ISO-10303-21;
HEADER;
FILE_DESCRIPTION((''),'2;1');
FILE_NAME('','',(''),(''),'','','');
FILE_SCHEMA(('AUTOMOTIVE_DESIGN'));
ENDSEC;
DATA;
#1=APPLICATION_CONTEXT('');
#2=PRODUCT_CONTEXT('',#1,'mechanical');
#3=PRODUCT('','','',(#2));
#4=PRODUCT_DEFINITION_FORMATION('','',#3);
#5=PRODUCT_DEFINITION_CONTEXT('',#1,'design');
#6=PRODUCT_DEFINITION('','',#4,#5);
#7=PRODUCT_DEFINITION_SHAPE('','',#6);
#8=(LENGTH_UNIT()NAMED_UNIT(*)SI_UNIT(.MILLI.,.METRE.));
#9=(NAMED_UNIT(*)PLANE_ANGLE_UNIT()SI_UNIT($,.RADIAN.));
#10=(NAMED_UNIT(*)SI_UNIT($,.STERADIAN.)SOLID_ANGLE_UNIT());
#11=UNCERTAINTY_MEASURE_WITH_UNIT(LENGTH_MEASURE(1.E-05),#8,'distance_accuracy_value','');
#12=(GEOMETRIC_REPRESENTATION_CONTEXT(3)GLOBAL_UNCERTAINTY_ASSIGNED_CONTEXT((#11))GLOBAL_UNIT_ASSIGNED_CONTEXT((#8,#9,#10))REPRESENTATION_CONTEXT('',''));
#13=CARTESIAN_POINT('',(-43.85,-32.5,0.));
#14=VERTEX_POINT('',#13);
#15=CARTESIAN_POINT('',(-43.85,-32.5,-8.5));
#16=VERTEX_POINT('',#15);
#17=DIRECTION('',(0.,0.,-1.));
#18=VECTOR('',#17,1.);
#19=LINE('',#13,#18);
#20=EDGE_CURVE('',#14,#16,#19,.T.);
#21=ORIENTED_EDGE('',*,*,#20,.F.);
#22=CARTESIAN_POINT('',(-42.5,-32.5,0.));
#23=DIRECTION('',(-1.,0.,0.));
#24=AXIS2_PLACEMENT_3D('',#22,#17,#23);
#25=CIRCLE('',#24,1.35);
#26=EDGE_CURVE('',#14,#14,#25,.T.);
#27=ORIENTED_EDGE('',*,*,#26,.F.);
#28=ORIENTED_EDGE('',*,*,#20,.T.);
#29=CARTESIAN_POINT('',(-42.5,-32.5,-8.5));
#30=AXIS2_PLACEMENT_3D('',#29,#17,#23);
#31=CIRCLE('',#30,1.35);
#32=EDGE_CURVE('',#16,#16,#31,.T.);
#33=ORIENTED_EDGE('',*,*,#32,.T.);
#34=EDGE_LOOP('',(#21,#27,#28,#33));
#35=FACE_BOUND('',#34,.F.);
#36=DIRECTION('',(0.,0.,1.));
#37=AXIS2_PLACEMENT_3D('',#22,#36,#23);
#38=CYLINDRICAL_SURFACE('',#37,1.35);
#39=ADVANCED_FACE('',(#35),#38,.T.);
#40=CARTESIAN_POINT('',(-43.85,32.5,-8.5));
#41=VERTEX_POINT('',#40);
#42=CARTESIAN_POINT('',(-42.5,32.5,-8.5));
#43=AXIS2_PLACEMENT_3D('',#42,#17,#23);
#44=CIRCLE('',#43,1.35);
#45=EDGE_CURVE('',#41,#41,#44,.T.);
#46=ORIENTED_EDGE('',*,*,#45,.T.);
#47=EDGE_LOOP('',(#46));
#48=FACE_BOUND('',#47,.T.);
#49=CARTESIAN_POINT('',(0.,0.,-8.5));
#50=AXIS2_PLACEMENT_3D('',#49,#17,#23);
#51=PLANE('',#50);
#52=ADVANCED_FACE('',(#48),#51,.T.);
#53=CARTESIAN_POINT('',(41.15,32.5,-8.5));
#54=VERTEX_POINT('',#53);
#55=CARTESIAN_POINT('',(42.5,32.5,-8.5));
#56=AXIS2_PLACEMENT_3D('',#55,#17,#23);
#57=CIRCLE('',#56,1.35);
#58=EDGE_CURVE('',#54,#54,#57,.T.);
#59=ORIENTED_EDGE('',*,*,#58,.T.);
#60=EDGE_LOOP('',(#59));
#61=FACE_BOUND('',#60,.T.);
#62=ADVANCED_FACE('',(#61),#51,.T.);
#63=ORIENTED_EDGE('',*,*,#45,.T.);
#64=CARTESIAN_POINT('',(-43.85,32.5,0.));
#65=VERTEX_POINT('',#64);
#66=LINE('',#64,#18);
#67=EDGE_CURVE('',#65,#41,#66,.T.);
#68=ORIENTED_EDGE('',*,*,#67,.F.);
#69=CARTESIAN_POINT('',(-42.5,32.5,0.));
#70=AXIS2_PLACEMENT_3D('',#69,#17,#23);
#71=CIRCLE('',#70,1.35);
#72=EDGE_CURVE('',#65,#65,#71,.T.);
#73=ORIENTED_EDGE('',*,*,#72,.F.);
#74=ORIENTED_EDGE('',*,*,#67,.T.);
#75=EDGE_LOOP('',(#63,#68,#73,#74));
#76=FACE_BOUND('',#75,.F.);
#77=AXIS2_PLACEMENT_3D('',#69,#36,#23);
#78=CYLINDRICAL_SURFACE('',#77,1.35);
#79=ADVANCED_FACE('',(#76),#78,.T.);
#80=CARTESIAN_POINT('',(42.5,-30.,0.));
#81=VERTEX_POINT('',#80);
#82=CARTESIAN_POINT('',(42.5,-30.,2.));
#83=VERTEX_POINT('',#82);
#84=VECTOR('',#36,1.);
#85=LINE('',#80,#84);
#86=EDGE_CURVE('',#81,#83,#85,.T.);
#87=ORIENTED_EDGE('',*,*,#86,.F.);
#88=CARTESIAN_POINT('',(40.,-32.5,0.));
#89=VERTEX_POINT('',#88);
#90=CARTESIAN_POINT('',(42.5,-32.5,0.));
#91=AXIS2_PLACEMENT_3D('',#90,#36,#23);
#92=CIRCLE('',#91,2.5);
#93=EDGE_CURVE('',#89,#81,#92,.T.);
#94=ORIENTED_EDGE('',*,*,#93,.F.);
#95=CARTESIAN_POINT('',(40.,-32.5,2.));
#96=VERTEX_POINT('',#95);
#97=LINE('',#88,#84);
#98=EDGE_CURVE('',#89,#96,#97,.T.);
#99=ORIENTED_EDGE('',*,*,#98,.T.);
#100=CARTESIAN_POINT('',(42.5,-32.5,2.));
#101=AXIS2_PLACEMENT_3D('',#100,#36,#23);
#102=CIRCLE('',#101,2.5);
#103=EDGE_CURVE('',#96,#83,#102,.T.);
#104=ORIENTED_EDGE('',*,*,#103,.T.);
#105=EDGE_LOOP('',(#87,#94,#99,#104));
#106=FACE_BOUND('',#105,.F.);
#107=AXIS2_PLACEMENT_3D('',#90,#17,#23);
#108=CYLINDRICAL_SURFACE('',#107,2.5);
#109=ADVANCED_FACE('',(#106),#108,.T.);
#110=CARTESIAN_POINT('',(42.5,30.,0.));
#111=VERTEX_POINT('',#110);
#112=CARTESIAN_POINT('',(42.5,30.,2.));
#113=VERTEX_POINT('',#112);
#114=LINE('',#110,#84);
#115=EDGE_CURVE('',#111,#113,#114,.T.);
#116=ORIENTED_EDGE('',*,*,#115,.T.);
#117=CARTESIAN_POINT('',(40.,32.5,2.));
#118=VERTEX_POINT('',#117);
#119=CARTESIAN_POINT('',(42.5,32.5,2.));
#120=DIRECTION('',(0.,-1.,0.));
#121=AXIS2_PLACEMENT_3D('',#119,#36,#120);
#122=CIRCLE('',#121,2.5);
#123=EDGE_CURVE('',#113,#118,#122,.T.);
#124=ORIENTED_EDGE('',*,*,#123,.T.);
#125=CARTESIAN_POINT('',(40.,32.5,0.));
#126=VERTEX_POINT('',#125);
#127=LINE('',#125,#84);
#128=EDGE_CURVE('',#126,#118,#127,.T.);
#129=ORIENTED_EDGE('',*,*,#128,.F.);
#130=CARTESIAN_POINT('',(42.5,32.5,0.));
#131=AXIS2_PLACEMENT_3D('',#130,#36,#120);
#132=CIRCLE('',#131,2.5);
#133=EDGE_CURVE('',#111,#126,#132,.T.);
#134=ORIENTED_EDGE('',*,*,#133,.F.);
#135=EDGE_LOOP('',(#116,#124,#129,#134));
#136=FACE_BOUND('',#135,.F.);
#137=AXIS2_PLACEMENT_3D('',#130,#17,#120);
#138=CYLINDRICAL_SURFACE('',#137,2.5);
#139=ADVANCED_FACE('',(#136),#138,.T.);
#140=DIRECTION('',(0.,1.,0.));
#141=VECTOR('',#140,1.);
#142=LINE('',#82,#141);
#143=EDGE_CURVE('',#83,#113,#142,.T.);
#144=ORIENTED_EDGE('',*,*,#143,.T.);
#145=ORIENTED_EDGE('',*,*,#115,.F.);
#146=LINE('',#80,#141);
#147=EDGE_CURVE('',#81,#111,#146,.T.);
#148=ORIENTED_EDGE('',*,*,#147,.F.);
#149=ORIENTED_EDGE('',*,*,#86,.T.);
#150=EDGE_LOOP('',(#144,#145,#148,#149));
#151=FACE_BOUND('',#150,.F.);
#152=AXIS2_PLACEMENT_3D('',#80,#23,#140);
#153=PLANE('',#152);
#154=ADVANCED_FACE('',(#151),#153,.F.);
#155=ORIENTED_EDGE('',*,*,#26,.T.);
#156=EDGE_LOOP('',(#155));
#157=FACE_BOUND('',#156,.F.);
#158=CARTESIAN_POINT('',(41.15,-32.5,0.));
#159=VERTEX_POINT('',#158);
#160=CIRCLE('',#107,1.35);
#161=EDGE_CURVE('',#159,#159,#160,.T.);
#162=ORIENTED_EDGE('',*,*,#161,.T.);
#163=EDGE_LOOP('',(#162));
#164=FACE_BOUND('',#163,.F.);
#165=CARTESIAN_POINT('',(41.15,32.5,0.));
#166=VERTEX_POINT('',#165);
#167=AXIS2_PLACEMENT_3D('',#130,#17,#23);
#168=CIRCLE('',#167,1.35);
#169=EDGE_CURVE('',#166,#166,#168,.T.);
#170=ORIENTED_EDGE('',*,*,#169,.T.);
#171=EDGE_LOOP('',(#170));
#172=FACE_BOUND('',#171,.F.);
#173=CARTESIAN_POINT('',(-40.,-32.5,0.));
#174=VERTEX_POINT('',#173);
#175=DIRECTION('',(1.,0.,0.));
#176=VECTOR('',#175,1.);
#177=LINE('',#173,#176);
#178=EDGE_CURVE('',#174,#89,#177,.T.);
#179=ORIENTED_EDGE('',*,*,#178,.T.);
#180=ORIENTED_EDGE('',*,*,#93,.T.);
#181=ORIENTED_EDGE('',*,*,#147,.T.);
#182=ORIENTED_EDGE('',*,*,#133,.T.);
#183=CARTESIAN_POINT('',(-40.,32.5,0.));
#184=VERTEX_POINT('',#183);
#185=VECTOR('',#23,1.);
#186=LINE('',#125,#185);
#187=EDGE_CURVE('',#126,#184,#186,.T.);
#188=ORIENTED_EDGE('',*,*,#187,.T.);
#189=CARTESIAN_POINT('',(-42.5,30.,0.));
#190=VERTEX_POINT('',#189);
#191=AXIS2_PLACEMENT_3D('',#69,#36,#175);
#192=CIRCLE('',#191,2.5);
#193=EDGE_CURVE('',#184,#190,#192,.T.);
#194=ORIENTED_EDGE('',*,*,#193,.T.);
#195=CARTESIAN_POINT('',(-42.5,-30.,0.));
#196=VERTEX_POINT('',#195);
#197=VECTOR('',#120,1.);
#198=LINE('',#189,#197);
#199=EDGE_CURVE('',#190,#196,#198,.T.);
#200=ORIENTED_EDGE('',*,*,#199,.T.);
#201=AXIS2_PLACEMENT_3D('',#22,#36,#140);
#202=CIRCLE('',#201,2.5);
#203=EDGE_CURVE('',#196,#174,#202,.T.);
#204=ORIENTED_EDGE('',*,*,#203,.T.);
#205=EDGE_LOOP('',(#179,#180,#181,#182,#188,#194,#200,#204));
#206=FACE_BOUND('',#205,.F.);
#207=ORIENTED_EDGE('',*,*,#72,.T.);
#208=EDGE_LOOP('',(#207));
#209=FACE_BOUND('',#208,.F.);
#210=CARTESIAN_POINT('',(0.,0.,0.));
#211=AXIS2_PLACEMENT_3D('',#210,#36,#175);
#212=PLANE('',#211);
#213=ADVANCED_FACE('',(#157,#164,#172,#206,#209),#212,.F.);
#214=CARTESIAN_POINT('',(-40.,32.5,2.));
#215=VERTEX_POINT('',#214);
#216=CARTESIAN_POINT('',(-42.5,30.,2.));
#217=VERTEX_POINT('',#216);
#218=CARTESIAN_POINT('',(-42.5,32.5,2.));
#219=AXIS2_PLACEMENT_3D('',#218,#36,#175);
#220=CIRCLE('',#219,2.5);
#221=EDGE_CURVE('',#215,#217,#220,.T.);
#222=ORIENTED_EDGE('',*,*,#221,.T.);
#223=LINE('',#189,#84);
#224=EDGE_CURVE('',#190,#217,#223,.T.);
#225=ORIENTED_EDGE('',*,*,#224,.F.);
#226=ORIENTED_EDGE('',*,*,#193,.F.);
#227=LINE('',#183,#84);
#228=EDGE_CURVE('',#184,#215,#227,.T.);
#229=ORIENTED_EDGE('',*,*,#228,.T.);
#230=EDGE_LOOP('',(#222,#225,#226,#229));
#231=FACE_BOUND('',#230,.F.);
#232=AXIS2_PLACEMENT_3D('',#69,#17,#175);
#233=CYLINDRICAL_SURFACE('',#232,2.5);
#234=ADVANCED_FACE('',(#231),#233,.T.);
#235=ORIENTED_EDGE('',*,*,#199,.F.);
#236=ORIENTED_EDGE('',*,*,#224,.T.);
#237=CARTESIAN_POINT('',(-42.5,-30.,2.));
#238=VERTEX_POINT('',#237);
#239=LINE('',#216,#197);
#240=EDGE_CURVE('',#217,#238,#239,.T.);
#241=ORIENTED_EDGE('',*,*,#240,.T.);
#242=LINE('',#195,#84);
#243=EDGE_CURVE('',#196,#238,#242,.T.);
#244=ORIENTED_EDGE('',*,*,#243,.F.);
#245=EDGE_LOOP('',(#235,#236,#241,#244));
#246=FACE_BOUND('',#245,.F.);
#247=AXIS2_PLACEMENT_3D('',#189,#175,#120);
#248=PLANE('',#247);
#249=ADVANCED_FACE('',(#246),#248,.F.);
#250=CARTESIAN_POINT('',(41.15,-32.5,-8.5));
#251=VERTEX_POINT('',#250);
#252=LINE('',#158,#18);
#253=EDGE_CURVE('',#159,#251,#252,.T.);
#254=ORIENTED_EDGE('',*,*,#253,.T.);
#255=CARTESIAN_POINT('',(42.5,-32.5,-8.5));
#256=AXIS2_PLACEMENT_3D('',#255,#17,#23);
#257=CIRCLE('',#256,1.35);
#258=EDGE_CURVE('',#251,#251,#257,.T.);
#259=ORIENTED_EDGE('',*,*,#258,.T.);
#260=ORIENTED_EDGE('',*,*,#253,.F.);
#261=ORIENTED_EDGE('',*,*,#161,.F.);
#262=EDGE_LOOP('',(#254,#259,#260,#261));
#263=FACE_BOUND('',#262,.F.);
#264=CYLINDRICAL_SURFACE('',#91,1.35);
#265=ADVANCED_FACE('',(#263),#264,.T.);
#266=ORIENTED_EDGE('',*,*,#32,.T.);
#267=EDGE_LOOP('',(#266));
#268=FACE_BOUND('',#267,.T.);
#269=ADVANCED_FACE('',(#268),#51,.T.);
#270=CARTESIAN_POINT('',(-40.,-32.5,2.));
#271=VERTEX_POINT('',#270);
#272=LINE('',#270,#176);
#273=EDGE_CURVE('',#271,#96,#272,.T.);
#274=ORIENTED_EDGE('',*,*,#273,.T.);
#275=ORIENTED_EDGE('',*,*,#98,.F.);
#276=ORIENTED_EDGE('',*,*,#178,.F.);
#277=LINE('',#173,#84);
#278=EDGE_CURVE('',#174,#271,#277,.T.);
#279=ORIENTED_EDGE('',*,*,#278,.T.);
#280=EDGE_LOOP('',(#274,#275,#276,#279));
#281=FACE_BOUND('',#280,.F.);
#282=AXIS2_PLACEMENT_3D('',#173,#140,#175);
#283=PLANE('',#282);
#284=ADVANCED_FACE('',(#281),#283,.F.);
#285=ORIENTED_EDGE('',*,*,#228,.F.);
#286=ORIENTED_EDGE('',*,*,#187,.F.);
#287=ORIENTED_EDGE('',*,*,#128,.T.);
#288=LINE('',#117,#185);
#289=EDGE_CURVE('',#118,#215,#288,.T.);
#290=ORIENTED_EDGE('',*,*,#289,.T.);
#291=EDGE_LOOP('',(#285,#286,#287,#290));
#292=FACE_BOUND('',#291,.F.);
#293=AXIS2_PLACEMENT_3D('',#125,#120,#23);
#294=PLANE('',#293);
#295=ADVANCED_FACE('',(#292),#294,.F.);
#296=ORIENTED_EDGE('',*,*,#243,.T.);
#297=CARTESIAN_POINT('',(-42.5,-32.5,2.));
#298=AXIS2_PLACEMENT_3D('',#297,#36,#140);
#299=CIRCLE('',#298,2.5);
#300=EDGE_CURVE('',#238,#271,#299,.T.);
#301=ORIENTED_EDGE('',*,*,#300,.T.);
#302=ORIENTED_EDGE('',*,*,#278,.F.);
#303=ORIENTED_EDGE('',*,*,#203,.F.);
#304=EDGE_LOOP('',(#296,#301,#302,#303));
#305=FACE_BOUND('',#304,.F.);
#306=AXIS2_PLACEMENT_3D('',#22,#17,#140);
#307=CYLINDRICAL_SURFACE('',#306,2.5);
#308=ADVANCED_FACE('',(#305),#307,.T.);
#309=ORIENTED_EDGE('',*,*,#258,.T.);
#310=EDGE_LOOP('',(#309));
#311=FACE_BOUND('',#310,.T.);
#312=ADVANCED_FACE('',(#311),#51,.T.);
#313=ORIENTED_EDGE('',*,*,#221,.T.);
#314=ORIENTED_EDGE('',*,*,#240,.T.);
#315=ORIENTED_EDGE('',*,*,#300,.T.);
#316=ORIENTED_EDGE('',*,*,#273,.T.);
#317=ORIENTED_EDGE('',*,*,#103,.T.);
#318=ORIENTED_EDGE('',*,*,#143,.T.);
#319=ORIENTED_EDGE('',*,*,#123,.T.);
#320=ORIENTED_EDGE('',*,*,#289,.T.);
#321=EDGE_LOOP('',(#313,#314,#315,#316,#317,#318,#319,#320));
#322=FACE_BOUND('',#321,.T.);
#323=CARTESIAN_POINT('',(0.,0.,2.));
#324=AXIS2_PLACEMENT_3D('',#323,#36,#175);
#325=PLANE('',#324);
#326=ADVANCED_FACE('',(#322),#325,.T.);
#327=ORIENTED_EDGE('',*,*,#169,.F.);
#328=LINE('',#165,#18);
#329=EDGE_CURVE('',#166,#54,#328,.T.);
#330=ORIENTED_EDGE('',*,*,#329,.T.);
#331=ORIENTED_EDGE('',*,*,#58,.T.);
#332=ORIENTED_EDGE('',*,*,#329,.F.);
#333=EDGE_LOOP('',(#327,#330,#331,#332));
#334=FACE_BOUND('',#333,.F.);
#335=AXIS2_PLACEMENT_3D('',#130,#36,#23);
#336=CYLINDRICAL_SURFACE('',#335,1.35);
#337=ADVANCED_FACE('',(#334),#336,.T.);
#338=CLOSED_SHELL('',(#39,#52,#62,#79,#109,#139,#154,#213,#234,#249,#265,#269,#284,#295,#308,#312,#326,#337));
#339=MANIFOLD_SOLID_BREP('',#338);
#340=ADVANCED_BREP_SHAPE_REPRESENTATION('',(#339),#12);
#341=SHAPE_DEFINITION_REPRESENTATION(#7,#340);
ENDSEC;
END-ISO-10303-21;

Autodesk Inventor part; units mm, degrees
ref_plane "YZ Plane" through (0, 0, 0) normal (1, 0, 0) x (0, 1, 0)
ref_plane "XZ Plane" through (0, 0, 0) normal (0, 1, 0) x (-1, 0, 0)
ref_plane "XY Plane" through (0, 0, 0) normal (0, 0, 1) x (1, 0, 0)
ref_plane "Work Plane1" through (0, 0, 0) normal (0, 0, 1) x (1, 0, 0)
sketch "Sketch1" plane through (0, 0, 0) normal (0, 0, 1) x (1, 0, 0)
  arc A0 (-40, 32.5) -> (-42.5, 30) centre (-42.5, 32.5) ccw projected
  line L0 (-42.5, 30) -> (-42.5, -30) projected
  arc A1 (-42.5, -30) -> (-40, -32.5) centre (-42.5, -32.5) ccw projected
  line L1 (-40, -32.5) -> (40, -32.5) projected
  arc A2 (40, -32.5) -> (42.5, -30) centre (42.5, -32.5) ccw projected
  line L2 (42.5, -30) -> (42.5, 30) projected
  arc A3 (42.5, 30) -> (40, 32.5) centre (42.5, 32.5) ccw projected
  line L3 (40, 32.5) -> (-40, 32.5) projected
  arc A4 (-40.5, -28.5) -> (-38.5, -30.5) centre (-38.5, -28.5) ccw projected
  line L4 (-40.5, -28.5) -> (-40.5, 28.5) projected
  arc A5 (-38.5, 30.5) -> (-40.5, 28.5) centre (-38.5, 28.5) ccw projected
  line L5 (-38.5, 30.5) -> (38.5, 30.5) projected
  arc A6 (40.5, 28.5) -> (38.5, 30.5) centre (38.5, 28.5) ccw projected
  line L6 (40.5, 28.5) -> (40.5, -28.5) projected
  arc A7 (38.5, -30.5) -> (40.5, -28.5) centre (38.5, -28.5) ccw projected
  line L7 (38.5, -30.5) -> (-38.5, -30.5) projected
  circle A8 centre (-42.5, 32.5) radius 1.5 projected
  circle A9 centre (42.5, -32.5) radius 1.5 projected
  circle A10 centre (-42.5, -32.5) radius 1.5 projected
  circle A11 centre (42.5, 32.5) radius 1.5 projected
  point P0 (0, 0)
extrude "Extrusion1" add sketch "Sketch1" along normal blind 2 contours L3 A3 L2 A2 L1 A1 L0 A0 | L4 A5 L5 A6 L6 A7 L7 A4 | A8 | A9 | A10 | A11
sketch "Sketch2" plane through (0, 0, 0) normal (0, 0, -1) x (-1, 0, 0)
  circle A0 centre (42.5, 32.5) radius 1.5 projected
  circle A1 centre (-42.5, -32.5) radius 1.5 projected
  circle A2 centre (42.5, -32.5) radius 1.5 projected
  circle A3 centre (-42.5, 32.5) radius 1.5 projected
  arc A4 (42.5, 30) -> (40, 32.5) centre (42.5, 32.5) ccw projected
  line L0 (42.5, 30) -> (42.5, -30) projected
  arc A5 (40, -32.5) -> (42.5, -30) centre (42.5, -32.5) ccw projected
  line L1 (40, -32.5) -> (-40, -32.5) projected
  arc A6 (-42.5, -30) -> (-40, -32.5) centre (-42.5, -32.5) ccw projected
  line L2 (-42.5, -30) -> (-42.5, 30) projected
  arc A7 (-40, 32.5) -> (-42.5, 30) centre (-42.5, 32.5) ccw projected
  line L3 (-40, 32.5) -> (40, 32.5) projected
  arc A8 (38.5, -30.5) -> (40.5, -28.5) centre (38.5, -28.5) ccw projected
  line L4 (40.5, -28.5) -> (40.5, 28.5) projected
  arc A9 (40.5, 28.5) -> (38.5, 30.5) centre (38.5, 28.5) ccw projected
  line L5 (38.5, 30.5) -> (-38.5, 30.5) projected
  arc A10 (-38.5, 30.5) -> (-40.5, 28.5) centre (-38.5, 28.5) ccw projected
  line L6 (-40.5, 28.5) -> (-40.5, -28.5) projected
  arc A11 (-40.5, -28.5) -> (-38.5, -30.5) centre (-38.5, -28.5) ccw projected
  line L7 (-38.5, -30.5) -> (38.5, -30.5) projected
  line L8 (-42.5, -30) -> (-42.5, 30) projected
  circle A12 centre (-42.5, 32.5) radius 1.35
  circle A13 centre (-42.5, -32.5) radius 1.35
  circle A14 centre (42.5, 32.5) radius 1.35
  circle A15 centre (42.5, -32.5) radius 1.35
  point P0 (0, 0)
  dimension "d4" = 0.15
  dimension "d7" = 65
  dimension "d10" = 85
extrude "Extrusion2" add sketch "Sketch2" along normal blind 8.5 contours A12 | A13 | A14 | A15
